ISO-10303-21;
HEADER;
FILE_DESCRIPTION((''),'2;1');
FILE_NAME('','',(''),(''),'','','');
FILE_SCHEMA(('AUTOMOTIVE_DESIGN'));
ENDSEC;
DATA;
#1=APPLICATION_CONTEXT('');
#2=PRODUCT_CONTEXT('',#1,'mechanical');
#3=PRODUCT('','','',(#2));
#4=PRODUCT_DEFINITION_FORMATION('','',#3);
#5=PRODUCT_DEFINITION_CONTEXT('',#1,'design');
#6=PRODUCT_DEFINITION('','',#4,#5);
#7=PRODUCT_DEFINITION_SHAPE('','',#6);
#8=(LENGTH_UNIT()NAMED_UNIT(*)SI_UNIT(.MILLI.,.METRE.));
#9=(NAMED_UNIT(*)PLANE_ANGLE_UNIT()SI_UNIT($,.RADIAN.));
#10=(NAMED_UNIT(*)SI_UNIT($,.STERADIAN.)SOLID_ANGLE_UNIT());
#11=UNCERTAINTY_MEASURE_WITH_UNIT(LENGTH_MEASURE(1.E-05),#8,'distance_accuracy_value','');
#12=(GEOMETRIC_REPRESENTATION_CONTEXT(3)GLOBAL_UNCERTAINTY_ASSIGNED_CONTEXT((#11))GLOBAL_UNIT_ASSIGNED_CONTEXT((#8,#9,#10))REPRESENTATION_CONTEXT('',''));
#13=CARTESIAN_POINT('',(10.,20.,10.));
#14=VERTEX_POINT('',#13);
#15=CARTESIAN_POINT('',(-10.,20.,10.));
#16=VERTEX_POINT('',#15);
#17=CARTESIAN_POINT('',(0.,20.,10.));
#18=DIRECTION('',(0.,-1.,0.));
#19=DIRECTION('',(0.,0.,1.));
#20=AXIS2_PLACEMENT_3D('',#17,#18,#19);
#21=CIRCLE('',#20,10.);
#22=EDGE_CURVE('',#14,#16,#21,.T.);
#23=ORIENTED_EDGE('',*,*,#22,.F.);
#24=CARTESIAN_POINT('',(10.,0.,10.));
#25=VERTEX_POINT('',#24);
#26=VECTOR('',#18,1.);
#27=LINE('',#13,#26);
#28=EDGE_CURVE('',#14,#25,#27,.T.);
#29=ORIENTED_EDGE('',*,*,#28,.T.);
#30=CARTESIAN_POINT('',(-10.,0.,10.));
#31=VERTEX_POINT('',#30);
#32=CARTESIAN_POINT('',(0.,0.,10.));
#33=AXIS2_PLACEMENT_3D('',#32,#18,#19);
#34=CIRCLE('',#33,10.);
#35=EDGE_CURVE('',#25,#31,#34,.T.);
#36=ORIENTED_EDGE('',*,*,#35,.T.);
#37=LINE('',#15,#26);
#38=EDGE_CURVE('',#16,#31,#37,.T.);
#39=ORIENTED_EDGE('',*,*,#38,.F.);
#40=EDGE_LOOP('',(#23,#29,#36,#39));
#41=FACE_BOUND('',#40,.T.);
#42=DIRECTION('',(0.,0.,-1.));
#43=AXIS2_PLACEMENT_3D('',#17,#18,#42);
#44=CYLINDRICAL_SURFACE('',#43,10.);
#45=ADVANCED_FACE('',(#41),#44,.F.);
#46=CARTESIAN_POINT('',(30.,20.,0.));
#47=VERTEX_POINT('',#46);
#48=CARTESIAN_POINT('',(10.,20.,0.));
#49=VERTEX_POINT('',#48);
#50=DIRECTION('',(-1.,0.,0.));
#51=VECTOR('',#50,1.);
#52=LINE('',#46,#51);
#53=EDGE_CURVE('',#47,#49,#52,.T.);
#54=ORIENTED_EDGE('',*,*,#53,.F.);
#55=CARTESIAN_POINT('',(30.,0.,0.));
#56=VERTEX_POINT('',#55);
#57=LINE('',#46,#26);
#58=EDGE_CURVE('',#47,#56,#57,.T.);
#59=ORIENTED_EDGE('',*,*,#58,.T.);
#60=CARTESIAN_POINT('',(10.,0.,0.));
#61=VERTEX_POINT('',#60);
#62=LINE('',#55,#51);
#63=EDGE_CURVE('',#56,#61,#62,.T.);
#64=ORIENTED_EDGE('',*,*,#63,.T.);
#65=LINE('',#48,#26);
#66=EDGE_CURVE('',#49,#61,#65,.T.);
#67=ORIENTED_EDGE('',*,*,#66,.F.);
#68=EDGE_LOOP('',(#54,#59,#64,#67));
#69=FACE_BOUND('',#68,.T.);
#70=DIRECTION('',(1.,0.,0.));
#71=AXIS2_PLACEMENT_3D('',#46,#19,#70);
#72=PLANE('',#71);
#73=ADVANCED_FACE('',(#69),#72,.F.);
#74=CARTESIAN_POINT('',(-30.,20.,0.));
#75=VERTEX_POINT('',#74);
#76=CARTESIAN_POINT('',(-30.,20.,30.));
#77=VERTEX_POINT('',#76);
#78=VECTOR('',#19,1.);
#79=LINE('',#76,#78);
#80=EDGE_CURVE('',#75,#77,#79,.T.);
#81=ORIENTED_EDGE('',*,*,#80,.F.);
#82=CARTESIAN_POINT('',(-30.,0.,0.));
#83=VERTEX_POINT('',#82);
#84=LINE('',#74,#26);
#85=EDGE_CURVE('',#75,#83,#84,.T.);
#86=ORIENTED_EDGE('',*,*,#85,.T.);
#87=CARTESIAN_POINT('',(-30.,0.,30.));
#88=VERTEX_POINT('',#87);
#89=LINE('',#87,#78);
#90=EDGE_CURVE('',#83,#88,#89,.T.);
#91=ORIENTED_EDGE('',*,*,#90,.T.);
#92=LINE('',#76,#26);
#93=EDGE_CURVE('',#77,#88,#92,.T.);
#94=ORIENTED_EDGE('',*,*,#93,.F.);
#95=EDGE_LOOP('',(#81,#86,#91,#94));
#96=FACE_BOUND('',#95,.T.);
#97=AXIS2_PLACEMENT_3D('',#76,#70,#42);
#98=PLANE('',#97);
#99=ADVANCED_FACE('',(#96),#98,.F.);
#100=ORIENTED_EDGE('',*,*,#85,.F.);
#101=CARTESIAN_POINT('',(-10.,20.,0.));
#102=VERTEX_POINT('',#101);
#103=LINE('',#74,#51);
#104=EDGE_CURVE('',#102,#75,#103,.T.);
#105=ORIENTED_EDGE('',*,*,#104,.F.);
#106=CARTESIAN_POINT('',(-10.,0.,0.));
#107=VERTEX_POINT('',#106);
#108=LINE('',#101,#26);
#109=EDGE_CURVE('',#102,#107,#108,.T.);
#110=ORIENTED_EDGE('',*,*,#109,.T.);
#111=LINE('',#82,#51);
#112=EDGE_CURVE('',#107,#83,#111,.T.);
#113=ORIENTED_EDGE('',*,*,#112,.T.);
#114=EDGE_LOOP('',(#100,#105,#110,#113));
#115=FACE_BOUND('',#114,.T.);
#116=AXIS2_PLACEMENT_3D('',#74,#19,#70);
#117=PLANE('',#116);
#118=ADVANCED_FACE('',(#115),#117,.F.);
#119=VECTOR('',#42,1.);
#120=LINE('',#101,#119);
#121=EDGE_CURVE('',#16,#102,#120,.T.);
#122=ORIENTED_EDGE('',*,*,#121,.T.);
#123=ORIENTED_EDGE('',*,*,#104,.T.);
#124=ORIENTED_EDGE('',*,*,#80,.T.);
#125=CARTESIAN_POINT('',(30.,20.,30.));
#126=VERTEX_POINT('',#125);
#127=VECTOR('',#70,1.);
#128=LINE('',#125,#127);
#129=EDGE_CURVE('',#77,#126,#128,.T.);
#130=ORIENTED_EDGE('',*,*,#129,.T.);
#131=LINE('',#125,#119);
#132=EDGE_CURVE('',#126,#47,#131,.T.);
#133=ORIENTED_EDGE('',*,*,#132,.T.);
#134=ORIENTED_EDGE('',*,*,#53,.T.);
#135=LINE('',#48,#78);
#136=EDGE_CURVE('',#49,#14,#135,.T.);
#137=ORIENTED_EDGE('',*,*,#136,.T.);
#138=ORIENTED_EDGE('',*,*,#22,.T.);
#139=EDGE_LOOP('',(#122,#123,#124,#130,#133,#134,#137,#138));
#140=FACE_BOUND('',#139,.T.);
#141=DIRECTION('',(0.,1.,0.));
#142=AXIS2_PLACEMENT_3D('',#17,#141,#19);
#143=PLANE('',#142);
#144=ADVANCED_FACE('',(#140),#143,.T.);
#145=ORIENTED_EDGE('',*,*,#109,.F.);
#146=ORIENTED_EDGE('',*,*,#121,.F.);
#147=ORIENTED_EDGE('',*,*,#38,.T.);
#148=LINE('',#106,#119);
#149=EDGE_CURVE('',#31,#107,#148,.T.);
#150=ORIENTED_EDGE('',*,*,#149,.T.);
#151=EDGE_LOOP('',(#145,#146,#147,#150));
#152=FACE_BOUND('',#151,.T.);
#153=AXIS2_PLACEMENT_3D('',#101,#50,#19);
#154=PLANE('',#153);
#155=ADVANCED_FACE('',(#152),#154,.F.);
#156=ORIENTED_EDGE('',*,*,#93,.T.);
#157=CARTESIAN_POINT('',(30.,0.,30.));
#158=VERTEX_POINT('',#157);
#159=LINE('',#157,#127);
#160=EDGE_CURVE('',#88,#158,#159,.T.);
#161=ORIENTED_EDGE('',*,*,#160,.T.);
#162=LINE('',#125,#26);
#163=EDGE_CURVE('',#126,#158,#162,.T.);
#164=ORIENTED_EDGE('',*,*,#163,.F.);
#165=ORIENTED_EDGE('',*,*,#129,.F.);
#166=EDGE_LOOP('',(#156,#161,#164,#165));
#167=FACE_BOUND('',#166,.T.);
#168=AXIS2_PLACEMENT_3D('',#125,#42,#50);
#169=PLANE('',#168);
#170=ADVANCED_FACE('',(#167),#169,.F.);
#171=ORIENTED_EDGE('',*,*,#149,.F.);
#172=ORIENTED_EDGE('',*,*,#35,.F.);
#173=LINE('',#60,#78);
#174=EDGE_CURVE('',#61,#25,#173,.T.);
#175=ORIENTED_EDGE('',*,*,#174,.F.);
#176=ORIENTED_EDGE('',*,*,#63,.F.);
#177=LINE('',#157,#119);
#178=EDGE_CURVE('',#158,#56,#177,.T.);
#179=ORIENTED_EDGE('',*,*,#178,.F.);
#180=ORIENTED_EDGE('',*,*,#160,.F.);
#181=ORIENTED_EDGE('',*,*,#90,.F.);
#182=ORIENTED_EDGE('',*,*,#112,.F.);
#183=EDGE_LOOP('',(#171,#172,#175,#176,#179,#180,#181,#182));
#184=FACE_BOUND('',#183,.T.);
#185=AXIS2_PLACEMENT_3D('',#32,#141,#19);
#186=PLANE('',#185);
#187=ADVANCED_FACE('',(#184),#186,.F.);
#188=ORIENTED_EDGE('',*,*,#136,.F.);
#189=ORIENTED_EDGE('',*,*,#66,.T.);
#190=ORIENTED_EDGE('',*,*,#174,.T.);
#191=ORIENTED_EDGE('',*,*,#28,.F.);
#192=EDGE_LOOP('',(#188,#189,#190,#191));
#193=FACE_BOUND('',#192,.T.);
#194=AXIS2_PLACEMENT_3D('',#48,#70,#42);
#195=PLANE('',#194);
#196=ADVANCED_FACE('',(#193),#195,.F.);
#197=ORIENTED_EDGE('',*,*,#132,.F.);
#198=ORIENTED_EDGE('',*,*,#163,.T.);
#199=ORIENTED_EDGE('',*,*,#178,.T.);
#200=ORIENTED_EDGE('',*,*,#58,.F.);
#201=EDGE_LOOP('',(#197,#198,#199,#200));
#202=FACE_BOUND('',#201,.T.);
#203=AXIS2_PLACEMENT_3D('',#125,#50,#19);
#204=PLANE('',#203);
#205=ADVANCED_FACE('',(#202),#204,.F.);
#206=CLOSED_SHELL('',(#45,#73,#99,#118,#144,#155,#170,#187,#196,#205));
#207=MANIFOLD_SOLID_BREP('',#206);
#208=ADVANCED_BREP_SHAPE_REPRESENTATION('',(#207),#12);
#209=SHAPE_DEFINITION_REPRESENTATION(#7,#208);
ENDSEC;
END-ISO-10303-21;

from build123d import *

# Parameters (mm, degrees)
BOSS_EXTRUDE1_DEPTH = 20


with BuildPart() as part:
    # Sketch2 → Boss-Extrude1 (new body)
    with BuildSketch(Plane(origin=(0, 0, 0), x_dir=(1, 0, 0), z_dir=(0, 1, 0))):
        with BuildLine():
            Line((-10, 0), (-10, -10))
            ThreePointArc((-10, -10), (0, -20), (10, -10))
            Line((10, -10), (10, 0))
            Line((10, 0), (30, 0))
            Line((30, 0), (30, -30))
            Line((30, -30), (-30, -30))
            Line((-30, -30), (-30, 0))
            Line((-30, 0), (-10, 0))
        make_face()
    extrude(amount=BOSS_EXTRUDE1_DEPTH)


solid = part.part
